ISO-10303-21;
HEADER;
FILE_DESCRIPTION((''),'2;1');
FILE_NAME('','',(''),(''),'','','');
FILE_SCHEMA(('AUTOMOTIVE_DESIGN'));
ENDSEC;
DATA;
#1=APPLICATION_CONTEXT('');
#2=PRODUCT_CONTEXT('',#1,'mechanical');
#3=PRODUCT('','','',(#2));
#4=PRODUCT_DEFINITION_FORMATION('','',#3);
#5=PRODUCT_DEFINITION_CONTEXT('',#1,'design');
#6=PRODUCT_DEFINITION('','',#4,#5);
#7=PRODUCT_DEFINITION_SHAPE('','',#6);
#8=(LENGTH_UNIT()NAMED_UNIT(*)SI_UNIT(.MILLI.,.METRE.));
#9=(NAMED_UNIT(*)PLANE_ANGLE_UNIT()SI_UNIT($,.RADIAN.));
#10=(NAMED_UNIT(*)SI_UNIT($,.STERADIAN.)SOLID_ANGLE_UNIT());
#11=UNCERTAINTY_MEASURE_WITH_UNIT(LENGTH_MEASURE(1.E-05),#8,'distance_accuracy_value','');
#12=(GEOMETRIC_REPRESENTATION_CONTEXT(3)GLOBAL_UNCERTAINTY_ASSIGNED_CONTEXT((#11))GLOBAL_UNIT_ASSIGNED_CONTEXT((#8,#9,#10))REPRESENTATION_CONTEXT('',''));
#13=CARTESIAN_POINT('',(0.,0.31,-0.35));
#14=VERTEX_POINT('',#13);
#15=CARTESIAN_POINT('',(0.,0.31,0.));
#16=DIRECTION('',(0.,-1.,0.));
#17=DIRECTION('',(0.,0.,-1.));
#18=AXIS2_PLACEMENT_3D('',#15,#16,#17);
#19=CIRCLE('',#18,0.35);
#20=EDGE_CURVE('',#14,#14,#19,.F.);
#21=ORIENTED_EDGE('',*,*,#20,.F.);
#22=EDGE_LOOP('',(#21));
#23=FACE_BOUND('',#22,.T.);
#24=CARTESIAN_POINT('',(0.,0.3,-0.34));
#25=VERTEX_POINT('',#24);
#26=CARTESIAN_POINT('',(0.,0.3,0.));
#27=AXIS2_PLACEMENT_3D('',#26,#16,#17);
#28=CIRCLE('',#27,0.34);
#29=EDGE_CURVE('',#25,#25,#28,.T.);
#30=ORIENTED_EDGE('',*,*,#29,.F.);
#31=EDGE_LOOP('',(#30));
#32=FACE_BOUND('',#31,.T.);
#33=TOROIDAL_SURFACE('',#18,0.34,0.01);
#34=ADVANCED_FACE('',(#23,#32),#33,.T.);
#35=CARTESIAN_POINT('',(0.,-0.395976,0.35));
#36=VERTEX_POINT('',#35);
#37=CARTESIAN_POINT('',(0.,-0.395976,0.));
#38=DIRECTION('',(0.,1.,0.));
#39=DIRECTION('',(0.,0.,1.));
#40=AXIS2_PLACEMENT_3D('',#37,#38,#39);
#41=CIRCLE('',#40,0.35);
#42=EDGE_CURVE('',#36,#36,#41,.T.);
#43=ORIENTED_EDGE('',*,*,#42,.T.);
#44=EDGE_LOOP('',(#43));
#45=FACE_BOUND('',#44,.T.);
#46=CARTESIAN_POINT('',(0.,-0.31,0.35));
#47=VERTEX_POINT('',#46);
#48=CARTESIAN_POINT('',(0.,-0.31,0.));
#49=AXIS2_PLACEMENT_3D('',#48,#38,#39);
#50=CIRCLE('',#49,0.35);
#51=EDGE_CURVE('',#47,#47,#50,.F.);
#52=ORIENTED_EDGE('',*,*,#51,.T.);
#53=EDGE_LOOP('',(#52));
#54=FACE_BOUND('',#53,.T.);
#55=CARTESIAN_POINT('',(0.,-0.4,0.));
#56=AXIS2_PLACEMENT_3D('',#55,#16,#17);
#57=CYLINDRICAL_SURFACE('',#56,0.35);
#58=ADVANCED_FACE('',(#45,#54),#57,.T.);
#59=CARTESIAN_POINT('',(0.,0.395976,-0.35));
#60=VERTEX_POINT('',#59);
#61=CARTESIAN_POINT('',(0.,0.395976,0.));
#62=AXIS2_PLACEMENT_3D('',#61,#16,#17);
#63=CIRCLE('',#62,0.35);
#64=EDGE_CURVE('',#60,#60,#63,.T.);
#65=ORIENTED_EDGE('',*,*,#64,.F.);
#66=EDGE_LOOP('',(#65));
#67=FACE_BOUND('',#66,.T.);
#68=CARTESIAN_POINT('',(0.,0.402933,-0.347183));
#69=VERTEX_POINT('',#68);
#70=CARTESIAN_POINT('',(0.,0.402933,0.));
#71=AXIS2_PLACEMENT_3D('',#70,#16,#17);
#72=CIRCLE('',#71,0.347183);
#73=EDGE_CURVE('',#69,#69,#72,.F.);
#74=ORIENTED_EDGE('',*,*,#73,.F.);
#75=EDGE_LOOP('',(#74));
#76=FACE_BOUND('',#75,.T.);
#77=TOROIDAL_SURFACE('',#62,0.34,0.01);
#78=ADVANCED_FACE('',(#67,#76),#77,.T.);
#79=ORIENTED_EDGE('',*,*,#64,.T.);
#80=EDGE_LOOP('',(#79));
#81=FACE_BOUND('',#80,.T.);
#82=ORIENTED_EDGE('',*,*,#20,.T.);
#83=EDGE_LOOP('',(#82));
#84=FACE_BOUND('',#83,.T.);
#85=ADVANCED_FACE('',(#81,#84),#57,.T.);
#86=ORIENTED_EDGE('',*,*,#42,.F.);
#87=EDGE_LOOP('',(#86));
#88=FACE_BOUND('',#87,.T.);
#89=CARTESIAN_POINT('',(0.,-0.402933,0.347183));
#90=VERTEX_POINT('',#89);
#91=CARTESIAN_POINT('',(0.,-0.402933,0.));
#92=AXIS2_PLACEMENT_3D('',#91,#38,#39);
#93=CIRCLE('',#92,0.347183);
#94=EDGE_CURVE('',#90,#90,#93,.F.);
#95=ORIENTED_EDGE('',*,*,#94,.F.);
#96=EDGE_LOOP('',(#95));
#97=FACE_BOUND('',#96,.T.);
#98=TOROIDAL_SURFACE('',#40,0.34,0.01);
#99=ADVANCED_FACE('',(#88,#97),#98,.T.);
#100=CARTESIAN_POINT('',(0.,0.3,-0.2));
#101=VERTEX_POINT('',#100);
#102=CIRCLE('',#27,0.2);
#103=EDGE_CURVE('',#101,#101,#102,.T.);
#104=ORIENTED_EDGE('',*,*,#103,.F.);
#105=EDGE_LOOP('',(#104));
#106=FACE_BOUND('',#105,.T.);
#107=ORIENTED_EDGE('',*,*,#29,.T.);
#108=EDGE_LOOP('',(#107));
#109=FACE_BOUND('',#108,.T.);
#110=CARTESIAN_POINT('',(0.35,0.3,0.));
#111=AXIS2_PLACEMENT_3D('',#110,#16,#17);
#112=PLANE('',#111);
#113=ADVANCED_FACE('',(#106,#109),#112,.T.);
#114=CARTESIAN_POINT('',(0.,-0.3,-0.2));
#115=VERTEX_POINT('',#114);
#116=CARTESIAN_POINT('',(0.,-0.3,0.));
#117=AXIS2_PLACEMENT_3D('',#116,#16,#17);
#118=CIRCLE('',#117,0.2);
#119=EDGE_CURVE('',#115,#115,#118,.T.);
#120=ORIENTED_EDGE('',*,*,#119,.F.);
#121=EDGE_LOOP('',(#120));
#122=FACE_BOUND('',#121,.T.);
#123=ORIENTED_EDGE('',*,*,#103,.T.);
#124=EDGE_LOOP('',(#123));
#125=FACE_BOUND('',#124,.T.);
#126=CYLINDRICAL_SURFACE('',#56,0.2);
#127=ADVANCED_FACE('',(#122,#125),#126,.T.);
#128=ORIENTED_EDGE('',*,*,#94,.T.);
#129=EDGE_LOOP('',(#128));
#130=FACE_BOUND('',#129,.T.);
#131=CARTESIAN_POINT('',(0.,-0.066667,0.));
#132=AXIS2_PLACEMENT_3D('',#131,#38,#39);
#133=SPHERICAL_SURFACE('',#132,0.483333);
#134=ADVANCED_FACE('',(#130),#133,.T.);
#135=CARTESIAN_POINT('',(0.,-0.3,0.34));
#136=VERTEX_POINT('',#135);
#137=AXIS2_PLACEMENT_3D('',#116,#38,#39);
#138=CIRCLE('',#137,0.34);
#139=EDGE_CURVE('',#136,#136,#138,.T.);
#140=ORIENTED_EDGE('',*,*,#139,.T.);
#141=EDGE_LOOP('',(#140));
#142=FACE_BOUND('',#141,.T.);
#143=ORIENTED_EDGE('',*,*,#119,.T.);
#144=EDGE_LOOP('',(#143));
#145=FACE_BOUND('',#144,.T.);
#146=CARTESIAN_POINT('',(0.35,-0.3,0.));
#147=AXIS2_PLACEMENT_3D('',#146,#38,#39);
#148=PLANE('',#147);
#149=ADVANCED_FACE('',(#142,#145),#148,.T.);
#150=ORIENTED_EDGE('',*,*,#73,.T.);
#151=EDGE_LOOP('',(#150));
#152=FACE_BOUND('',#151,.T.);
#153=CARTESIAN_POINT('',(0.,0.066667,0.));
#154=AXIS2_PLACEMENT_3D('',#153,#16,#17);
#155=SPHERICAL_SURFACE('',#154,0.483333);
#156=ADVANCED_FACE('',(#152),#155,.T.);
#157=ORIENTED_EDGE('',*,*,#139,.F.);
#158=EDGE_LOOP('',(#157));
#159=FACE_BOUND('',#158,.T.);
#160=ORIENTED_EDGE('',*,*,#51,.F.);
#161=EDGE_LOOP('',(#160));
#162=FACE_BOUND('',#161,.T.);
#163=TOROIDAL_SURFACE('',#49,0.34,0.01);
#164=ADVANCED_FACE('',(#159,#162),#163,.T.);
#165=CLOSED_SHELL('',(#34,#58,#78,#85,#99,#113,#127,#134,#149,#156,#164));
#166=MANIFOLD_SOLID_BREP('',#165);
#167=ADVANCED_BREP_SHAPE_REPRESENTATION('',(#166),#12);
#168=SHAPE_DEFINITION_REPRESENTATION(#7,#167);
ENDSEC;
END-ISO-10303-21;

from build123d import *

# Parameters (mm, degrees)
DOME1_FACE_RADIUS = 0.35
DOME1_HEIGHT      = 0.15
DOME2_FACE_RADIUS = 0.35
DOME2_HEIGHT      = 0.15
FILLET1_R         = 0.01


with BuildPart() as part:
    # Sketch1 → Revolve1 (revolve)
    with BuildSketch(Plane.XY, mode=Mode.PRIVATE) as revolve1_sk:
        Polygon((0, -0.4), (0, 0.4), (0.35, 0.4), (0.35, 0.3), (0.2, 0.3), (0.2, -0.3), (0.35, -0.3), (0.35, -0.4), align=None)
    revolve(revolve1_sk.sketch.rotate(Axis((0, -0.4, 0), (0, 1, 0)), 90), axis=Axis((0, -0.4, 0), (0, 1, 0)))

    # Dome1: a dome of height H over a round flat face of radius A is a cap of a sphere of radius (A * A + H * H) / (2 * H)
    dome1_r = (DOME1_FACE_RADIUS * DOME1_FACE_RADIUS + DOME1_HEIGHT * DOME1_HEIGHT) / (2 * DOME1_HEIGHT)
    dome1_base = Plane((0, 0.4, 0), z_dir=(0, 1, 0))
    with Locations(dome1_base.offset(DOME1_HEIGHT - dome1_r)):
        dome1_ball = Sphere(dome1_r, mode=Mode.PRIVATE)
    add(split(dome1_ball, bisect_by=dome1_base, keep=Keep.TOP, mode=Mode.PRIVATE))

    # Dome2: a dome of height H over a round flat face of radius A is a cap of a sphere of radius (A * A + H * H) / (2 * H)
    dome2_r = (DOME2_FACE_RADIUS * DOME2_FACE_RADIUS + DOME2_HEIGHT * DOME2_HEIGHT) / (2 * DOME2_HEIGHT)
    dome2_base = Plane((0, -0.4, 0), z_dir=(0, -1, 0))
    with Locations(dome2_base.offset(DOME2_HEIGHT - dome2_r)):
        dome2_ball = Sphere(dome2_r, mode=Mode.PRIVATE)
    add(split(dome2_ball, bisect_by=dome2_base, keep=Keep.TOP, mode=Mode.PRIVATE))

    # Fillet1
    fillet1_edges = [part.edges().sort_by_distance(p)[0] for p in [
        (0.35, 0.4, 0),
        (0, -0.4, 0.35),
        (0, -0.3, 0.35),
        (0, 0.3, 0.35),
    ]]
    fillet(fillet1_edges, radius=FILLET1_R)


solid = part.part
